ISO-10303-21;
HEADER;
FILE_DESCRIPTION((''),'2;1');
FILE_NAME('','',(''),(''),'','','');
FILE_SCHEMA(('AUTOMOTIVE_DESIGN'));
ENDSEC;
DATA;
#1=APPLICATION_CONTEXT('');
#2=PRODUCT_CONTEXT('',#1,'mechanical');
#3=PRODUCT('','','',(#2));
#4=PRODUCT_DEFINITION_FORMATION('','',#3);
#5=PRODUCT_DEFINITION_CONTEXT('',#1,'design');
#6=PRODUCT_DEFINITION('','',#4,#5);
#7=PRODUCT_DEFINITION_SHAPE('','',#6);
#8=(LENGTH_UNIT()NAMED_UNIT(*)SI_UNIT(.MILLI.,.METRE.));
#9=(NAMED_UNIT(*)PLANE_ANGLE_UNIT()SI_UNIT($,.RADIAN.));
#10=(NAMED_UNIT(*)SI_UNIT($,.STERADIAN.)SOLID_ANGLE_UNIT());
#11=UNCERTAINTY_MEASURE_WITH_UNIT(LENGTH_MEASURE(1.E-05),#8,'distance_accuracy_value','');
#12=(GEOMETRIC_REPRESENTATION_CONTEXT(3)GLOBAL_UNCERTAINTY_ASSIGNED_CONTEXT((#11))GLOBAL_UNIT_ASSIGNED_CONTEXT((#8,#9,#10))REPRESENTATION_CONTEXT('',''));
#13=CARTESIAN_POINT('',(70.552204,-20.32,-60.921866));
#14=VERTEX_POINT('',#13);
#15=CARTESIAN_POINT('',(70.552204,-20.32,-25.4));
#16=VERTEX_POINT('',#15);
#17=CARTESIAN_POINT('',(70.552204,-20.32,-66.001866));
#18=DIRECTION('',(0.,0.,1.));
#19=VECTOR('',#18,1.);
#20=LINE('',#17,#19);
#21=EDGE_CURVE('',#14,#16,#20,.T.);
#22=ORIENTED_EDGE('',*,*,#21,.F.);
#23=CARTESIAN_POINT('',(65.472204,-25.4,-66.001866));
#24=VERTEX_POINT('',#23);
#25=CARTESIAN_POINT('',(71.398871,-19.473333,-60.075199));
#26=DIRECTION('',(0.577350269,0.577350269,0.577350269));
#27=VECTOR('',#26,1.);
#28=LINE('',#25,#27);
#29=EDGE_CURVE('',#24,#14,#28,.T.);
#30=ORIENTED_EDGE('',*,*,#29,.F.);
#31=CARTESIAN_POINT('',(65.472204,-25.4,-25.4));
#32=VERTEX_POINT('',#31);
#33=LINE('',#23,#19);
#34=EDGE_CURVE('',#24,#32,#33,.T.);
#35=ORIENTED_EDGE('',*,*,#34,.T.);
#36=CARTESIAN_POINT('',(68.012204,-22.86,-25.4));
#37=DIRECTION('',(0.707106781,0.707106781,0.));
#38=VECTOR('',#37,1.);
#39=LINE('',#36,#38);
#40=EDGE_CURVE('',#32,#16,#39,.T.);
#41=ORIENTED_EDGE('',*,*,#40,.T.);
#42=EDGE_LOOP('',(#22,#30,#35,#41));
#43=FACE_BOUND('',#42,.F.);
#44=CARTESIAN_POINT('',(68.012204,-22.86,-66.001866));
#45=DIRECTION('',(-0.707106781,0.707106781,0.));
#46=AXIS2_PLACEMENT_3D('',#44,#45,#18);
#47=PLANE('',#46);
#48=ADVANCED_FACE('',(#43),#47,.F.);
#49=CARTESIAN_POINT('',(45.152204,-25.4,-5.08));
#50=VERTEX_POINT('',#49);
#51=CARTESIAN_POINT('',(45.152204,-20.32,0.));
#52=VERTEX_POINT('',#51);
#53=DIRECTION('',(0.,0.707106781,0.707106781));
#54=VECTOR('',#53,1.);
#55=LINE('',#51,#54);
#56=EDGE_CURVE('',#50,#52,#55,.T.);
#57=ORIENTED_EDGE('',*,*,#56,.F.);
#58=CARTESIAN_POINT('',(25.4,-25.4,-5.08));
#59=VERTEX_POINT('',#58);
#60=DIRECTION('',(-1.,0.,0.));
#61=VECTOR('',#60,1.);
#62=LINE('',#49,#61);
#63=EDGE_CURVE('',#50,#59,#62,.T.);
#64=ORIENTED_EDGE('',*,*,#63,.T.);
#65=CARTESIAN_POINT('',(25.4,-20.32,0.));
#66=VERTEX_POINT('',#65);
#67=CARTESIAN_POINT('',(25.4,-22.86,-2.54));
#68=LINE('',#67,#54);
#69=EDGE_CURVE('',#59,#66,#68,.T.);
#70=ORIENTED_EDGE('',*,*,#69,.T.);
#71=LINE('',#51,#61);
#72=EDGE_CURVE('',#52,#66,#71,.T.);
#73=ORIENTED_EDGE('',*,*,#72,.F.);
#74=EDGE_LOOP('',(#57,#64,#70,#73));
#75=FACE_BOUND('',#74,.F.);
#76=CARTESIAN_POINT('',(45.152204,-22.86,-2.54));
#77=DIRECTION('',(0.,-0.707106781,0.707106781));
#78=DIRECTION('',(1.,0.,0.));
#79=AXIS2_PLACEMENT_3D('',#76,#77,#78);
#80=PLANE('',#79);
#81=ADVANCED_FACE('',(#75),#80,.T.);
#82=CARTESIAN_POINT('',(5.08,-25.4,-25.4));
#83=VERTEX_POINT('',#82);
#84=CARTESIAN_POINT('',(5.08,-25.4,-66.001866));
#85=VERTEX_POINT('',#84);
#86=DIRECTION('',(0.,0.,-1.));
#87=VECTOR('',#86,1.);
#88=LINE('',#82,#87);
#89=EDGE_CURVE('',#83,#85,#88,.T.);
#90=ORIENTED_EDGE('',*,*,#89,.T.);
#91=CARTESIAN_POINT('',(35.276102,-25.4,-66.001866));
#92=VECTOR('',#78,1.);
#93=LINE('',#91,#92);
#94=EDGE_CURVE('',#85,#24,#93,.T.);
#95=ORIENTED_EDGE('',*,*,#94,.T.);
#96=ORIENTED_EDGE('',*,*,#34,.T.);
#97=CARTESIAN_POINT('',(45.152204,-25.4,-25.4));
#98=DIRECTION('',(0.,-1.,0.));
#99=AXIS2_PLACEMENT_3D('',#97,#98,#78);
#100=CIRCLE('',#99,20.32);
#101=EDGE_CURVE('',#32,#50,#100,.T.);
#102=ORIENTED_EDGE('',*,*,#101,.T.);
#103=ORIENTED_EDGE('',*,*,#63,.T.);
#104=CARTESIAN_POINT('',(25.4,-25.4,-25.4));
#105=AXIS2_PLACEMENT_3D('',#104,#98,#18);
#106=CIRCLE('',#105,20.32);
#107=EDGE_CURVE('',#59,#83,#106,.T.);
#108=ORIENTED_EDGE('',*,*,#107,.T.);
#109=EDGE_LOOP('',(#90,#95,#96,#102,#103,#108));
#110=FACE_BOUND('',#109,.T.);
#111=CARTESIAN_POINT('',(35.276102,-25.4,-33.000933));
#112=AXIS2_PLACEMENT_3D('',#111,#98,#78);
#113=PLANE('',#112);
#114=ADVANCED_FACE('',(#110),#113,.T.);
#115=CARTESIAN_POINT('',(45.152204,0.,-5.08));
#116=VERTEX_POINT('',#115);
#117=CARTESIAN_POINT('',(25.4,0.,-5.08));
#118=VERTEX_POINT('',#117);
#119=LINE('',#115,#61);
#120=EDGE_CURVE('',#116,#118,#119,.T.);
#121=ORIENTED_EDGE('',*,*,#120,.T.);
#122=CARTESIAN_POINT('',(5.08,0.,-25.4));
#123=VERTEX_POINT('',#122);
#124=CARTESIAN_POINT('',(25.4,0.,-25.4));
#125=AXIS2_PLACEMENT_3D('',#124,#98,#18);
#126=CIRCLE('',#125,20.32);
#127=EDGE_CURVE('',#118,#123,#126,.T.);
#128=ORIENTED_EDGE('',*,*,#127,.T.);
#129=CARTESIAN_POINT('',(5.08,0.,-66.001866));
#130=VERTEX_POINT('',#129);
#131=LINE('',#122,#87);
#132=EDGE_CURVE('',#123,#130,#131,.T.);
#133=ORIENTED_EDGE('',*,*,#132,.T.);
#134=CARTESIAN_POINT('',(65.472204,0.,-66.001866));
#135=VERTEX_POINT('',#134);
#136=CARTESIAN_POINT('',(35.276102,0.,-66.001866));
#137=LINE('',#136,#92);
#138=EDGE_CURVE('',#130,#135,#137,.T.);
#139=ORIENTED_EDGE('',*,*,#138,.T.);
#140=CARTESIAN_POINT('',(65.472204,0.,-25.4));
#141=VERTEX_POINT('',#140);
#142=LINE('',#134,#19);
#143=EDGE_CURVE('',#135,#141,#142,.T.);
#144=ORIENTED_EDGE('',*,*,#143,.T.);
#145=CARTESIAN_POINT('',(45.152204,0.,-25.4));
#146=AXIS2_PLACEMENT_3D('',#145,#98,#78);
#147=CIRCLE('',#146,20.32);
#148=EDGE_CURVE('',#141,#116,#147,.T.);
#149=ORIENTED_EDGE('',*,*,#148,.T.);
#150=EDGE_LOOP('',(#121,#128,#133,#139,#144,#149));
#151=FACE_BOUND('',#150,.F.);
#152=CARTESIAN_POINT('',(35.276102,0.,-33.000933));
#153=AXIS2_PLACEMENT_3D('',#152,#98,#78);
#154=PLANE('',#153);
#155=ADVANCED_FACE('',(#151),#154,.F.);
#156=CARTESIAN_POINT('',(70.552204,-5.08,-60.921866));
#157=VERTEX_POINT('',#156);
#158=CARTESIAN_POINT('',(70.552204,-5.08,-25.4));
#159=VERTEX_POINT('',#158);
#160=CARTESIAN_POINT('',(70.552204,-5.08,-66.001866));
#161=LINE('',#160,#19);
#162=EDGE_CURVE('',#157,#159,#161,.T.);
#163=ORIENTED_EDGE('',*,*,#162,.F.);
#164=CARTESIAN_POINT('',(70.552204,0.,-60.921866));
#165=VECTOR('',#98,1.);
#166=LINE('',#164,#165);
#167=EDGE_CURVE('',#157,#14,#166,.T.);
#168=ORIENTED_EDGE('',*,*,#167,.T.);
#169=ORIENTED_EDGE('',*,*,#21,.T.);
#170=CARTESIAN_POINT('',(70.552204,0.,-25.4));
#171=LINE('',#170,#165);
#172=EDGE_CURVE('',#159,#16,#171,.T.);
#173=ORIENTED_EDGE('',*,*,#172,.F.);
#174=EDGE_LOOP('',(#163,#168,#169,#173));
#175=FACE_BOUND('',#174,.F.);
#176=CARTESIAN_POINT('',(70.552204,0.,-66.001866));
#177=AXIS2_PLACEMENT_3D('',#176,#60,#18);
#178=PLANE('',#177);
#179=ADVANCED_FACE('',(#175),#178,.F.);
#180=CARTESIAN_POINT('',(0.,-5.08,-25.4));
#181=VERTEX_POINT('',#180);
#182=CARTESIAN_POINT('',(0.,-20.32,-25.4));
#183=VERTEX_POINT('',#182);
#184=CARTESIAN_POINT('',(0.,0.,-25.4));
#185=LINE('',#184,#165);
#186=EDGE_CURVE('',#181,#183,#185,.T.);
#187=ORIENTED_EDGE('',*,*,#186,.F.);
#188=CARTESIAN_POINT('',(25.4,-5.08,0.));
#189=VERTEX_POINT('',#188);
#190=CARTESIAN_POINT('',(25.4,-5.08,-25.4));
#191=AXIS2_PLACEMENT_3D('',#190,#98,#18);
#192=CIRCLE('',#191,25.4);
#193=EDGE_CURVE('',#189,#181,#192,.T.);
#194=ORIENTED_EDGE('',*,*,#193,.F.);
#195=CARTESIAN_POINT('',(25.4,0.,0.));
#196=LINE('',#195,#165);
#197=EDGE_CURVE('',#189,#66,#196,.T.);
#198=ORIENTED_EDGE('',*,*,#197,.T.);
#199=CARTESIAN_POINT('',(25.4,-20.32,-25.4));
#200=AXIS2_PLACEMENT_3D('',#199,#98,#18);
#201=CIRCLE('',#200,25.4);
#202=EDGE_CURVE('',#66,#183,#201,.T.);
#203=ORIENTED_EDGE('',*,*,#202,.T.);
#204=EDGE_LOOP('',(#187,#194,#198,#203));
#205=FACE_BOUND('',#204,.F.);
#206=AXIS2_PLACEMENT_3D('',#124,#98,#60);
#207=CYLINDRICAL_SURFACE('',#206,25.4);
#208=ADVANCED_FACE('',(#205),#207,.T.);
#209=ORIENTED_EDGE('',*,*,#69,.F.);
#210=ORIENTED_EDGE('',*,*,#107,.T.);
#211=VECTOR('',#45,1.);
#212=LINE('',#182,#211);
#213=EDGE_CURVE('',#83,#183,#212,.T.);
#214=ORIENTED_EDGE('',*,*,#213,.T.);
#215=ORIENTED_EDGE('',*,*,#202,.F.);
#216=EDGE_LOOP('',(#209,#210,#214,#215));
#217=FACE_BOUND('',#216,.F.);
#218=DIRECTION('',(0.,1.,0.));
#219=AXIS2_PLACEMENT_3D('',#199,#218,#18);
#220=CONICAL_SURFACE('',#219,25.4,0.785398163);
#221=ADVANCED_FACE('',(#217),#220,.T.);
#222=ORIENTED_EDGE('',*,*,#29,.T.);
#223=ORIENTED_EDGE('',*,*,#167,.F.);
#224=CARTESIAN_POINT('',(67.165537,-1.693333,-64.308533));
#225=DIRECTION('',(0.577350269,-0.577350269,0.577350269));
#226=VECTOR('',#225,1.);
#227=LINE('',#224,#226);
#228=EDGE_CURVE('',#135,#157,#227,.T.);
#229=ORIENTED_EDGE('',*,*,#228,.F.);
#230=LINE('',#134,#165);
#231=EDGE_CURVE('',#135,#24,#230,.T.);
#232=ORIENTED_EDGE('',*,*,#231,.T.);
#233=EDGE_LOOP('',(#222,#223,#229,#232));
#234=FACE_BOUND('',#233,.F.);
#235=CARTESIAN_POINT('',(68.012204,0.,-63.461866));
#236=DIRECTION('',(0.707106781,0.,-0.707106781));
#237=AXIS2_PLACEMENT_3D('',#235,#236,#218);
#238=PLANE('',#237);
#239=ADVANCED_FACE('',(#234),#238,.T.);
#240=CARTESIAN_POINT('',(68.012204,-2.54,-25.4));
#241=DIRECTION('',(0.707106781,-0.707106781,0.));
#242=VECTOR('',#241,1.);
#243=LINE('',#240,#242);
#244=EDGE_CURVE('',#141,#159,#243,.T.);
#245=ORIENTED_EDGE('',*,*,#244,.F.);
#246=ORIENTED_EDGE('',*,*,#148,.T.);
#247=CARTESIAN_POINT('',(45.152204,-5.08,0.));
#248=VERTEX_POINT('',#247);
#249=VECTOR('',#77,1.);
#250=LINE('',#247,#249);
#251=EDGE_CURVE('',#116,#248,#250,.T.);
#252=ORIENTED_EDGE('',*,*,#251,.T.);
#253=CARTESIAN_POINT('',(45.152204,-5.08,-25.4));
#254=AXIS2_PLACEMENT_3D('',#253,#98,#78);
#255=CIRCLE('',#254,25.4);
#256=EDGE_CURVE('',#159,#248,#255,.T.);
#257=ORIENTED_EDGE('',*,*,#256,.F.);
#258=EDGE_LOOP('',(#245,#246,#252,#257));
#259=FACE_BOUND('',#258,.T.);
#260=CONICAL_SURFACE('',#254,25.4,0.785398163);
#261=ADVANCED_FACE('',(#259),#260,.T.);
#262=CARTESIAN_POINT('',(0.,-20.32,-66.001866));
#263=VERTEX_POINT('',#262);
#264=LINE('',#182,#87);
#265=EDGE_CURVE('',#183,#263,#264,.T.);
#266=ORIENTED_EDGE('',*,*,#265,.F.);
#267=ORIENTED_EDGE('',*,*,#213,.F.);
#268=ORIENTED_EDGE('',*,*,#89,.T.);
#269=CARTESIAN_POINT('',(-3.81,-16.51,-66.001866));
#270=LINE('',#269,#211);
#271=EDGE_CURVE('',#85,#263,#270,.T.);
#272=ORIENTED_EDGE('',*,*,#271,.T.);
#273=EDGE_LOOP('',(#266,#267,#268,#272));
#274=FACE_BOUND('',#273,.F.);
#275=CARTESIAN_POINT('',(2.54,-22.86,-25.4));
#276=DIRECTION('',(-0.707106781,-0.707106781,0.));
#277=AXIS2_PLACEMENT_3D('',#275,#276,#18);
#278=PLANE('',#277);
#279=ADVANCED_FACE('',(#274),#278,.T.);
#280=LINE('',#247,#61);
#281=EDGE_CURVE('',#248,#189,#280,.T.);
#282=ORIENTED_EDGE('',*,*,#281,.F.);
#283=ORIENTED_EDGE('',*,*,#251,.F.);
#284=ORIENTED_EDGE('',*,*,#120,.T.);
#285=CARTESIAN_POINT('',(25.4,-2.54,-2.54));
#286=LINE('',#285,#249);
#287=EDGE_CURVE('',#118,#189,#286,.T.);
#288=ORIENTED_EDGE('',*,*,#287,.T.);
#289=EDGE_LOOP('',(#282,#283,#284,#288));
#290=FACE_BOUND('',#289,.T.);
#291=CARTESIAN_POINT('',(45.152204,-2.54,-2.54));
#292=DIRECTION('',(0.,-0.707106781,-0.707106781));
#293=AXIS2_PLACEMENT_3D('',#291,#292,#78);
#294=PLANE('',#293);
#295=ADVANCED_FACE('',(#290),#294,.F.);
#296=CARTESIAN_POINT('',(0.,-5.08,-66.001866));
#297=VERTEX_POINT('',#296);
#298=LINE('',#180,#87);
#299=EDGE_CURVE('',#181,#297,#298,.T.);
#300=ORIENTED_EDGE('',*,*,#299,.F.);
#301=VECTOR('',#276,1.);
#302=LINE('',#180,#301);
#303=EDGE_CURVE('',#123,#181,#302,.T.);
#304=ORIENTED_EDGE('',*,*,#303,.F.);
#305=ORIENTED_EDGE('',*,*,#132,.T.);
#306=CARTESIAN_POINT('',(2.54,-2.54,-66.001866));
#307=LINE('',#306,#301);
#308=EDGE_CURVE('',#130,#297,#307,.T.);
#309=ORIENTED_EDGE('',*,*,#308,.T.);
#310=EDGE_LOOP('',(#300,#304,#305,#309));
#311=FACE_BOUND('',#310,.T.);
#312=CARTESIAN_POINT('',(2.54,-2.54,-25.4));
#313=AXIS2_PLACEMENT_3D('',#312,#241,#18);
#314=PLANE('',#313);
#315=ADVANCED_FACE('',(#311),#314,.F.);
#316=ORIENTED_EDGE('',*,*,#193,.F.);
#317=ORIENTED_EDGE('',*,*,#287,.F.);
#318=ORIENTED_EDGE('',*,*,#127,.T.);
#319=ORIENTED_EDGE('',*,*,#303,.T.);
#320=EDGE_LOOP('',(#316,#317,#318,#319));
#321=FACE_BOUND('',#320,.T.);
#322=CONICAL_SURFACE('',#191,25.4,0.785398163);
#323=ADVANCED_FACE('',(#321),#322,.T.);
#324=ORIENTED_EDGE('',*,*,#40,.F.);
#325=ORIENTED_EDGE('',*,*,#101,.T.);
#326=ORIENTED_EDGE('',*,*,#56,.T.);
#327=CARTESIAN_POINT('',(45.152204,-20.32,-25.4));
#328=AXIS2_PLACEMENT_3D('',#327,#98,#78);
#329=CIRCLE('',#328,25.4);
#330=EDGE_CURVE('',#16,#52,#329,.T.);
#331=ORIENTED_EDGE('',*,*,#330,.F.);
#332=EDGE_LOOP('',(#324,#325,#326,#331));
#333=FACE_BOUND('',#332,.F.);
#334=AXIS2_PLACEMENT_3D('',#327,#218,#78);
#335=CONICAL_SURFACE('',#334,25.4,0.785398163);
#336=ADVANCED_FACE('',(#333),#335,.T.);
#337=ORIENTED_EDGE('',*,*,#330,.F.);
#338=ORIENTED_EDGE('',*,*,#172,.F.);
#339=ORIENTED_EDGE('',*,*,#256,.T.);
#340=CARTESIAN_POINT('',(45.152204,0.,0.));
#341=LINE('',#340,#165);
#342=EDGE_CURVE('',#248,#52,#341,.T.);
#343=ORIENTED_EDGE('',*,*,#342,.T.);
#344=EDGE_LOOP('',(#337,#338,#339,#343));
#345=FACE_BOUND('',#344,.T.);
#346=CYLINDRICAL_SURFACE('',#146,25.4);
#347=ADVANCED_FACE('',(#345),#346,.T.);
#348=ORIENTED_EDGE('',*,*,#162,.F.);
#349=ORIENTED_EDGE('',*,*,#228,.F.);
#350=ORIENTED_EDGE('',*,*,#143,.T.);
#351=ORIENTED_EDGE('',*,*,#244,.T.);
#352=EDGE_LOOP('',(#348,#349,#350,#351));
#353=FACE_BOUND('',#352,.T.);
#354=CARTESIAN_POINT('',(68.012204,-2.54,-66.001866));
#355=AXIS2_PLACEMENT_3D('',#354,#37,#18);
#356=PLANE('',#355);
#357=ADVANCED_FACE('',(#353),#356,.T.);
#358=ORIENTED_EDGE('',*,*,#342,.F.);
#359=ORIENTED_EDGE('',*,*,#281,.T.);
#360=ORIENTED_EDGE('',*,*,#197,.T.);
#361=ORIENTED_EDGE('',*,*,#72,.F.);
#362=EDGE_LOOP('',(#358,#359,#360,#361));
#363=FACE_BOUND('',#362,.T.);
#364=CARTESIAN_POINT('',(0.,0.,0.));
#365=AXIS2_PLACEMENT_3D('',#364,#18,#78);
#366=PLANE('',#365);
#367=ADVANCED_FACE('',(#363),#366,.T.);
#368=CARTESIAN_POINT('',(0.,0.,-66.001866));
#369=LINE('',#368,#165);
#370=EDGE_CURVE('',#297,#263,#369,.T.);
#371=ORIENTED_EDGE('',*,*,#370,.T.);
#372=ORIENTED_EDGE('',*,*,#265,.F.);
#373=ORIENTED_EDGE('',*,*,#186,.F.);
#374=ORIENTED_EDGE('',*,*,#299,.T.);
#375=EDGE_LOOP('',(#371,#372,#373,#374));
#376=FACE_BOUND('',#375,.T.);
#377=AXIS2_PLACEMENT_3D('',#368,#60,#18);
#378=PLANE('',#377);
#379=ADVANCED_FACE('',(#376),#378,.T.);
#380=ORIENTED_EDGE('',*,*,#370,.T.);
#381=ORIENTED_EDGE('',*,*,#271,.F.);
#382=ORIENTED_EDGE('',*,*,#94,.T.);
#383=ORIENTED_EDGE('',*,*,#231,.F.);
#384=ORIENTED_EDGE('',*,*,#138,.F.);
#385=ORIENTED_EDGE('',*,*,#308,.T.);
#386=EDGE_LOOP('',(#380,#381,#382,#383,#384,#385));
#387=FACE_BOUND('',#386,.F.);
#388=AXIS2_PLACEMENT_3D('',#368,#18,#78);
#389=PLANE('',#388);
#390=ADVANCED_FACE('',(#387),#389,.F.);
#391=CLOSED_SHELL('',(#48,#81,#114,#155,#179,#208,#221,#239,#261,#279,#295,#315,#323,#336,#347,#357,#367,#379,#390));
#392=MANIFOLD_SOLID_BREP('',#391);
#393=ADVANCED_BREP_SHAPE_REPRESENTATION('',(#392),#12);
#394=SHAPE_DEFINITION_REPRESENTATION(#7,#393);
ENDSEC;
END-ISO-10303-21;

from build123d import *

# Parameters (mm, degrees)
F0_W     = 70.552204
F0_H     = 66.001866
F1_DEPTH = 25.4
F2_R     = 25.4
F3_SIZE  = 5.08


with BuildPart() as f1:
    # F0 (on Front) → F1 (new body)
    with BuildSketch(Plane.XZ):
        with Locations((35.276102, -33.000933)):
            Rectangle(F0_W, F0_H)
    extrude(amount=F1_DEPTH)

    # F2
    f2_edges = [f1.edges().sort_by_distance(p)[0] for p in [
        (70.552204, -12.7, 0),
        (0, -12.7, 0),
    ]]
    fillet(f2_edges, radius=F2_R)

    # F3
    f3_edges = [f1.edges().sort_by_distance(p)[0] for p in [
        (70.552204, 0, -45.700933),
        (70.552204, -12.7, -25.4),
        (70.552204, -12.7, -66.001866),
        (70.552204, -25.4, -45.700933),
    ]]
    chamfer(f3_edges, length=F3_SIZE)


solid = f1.part
